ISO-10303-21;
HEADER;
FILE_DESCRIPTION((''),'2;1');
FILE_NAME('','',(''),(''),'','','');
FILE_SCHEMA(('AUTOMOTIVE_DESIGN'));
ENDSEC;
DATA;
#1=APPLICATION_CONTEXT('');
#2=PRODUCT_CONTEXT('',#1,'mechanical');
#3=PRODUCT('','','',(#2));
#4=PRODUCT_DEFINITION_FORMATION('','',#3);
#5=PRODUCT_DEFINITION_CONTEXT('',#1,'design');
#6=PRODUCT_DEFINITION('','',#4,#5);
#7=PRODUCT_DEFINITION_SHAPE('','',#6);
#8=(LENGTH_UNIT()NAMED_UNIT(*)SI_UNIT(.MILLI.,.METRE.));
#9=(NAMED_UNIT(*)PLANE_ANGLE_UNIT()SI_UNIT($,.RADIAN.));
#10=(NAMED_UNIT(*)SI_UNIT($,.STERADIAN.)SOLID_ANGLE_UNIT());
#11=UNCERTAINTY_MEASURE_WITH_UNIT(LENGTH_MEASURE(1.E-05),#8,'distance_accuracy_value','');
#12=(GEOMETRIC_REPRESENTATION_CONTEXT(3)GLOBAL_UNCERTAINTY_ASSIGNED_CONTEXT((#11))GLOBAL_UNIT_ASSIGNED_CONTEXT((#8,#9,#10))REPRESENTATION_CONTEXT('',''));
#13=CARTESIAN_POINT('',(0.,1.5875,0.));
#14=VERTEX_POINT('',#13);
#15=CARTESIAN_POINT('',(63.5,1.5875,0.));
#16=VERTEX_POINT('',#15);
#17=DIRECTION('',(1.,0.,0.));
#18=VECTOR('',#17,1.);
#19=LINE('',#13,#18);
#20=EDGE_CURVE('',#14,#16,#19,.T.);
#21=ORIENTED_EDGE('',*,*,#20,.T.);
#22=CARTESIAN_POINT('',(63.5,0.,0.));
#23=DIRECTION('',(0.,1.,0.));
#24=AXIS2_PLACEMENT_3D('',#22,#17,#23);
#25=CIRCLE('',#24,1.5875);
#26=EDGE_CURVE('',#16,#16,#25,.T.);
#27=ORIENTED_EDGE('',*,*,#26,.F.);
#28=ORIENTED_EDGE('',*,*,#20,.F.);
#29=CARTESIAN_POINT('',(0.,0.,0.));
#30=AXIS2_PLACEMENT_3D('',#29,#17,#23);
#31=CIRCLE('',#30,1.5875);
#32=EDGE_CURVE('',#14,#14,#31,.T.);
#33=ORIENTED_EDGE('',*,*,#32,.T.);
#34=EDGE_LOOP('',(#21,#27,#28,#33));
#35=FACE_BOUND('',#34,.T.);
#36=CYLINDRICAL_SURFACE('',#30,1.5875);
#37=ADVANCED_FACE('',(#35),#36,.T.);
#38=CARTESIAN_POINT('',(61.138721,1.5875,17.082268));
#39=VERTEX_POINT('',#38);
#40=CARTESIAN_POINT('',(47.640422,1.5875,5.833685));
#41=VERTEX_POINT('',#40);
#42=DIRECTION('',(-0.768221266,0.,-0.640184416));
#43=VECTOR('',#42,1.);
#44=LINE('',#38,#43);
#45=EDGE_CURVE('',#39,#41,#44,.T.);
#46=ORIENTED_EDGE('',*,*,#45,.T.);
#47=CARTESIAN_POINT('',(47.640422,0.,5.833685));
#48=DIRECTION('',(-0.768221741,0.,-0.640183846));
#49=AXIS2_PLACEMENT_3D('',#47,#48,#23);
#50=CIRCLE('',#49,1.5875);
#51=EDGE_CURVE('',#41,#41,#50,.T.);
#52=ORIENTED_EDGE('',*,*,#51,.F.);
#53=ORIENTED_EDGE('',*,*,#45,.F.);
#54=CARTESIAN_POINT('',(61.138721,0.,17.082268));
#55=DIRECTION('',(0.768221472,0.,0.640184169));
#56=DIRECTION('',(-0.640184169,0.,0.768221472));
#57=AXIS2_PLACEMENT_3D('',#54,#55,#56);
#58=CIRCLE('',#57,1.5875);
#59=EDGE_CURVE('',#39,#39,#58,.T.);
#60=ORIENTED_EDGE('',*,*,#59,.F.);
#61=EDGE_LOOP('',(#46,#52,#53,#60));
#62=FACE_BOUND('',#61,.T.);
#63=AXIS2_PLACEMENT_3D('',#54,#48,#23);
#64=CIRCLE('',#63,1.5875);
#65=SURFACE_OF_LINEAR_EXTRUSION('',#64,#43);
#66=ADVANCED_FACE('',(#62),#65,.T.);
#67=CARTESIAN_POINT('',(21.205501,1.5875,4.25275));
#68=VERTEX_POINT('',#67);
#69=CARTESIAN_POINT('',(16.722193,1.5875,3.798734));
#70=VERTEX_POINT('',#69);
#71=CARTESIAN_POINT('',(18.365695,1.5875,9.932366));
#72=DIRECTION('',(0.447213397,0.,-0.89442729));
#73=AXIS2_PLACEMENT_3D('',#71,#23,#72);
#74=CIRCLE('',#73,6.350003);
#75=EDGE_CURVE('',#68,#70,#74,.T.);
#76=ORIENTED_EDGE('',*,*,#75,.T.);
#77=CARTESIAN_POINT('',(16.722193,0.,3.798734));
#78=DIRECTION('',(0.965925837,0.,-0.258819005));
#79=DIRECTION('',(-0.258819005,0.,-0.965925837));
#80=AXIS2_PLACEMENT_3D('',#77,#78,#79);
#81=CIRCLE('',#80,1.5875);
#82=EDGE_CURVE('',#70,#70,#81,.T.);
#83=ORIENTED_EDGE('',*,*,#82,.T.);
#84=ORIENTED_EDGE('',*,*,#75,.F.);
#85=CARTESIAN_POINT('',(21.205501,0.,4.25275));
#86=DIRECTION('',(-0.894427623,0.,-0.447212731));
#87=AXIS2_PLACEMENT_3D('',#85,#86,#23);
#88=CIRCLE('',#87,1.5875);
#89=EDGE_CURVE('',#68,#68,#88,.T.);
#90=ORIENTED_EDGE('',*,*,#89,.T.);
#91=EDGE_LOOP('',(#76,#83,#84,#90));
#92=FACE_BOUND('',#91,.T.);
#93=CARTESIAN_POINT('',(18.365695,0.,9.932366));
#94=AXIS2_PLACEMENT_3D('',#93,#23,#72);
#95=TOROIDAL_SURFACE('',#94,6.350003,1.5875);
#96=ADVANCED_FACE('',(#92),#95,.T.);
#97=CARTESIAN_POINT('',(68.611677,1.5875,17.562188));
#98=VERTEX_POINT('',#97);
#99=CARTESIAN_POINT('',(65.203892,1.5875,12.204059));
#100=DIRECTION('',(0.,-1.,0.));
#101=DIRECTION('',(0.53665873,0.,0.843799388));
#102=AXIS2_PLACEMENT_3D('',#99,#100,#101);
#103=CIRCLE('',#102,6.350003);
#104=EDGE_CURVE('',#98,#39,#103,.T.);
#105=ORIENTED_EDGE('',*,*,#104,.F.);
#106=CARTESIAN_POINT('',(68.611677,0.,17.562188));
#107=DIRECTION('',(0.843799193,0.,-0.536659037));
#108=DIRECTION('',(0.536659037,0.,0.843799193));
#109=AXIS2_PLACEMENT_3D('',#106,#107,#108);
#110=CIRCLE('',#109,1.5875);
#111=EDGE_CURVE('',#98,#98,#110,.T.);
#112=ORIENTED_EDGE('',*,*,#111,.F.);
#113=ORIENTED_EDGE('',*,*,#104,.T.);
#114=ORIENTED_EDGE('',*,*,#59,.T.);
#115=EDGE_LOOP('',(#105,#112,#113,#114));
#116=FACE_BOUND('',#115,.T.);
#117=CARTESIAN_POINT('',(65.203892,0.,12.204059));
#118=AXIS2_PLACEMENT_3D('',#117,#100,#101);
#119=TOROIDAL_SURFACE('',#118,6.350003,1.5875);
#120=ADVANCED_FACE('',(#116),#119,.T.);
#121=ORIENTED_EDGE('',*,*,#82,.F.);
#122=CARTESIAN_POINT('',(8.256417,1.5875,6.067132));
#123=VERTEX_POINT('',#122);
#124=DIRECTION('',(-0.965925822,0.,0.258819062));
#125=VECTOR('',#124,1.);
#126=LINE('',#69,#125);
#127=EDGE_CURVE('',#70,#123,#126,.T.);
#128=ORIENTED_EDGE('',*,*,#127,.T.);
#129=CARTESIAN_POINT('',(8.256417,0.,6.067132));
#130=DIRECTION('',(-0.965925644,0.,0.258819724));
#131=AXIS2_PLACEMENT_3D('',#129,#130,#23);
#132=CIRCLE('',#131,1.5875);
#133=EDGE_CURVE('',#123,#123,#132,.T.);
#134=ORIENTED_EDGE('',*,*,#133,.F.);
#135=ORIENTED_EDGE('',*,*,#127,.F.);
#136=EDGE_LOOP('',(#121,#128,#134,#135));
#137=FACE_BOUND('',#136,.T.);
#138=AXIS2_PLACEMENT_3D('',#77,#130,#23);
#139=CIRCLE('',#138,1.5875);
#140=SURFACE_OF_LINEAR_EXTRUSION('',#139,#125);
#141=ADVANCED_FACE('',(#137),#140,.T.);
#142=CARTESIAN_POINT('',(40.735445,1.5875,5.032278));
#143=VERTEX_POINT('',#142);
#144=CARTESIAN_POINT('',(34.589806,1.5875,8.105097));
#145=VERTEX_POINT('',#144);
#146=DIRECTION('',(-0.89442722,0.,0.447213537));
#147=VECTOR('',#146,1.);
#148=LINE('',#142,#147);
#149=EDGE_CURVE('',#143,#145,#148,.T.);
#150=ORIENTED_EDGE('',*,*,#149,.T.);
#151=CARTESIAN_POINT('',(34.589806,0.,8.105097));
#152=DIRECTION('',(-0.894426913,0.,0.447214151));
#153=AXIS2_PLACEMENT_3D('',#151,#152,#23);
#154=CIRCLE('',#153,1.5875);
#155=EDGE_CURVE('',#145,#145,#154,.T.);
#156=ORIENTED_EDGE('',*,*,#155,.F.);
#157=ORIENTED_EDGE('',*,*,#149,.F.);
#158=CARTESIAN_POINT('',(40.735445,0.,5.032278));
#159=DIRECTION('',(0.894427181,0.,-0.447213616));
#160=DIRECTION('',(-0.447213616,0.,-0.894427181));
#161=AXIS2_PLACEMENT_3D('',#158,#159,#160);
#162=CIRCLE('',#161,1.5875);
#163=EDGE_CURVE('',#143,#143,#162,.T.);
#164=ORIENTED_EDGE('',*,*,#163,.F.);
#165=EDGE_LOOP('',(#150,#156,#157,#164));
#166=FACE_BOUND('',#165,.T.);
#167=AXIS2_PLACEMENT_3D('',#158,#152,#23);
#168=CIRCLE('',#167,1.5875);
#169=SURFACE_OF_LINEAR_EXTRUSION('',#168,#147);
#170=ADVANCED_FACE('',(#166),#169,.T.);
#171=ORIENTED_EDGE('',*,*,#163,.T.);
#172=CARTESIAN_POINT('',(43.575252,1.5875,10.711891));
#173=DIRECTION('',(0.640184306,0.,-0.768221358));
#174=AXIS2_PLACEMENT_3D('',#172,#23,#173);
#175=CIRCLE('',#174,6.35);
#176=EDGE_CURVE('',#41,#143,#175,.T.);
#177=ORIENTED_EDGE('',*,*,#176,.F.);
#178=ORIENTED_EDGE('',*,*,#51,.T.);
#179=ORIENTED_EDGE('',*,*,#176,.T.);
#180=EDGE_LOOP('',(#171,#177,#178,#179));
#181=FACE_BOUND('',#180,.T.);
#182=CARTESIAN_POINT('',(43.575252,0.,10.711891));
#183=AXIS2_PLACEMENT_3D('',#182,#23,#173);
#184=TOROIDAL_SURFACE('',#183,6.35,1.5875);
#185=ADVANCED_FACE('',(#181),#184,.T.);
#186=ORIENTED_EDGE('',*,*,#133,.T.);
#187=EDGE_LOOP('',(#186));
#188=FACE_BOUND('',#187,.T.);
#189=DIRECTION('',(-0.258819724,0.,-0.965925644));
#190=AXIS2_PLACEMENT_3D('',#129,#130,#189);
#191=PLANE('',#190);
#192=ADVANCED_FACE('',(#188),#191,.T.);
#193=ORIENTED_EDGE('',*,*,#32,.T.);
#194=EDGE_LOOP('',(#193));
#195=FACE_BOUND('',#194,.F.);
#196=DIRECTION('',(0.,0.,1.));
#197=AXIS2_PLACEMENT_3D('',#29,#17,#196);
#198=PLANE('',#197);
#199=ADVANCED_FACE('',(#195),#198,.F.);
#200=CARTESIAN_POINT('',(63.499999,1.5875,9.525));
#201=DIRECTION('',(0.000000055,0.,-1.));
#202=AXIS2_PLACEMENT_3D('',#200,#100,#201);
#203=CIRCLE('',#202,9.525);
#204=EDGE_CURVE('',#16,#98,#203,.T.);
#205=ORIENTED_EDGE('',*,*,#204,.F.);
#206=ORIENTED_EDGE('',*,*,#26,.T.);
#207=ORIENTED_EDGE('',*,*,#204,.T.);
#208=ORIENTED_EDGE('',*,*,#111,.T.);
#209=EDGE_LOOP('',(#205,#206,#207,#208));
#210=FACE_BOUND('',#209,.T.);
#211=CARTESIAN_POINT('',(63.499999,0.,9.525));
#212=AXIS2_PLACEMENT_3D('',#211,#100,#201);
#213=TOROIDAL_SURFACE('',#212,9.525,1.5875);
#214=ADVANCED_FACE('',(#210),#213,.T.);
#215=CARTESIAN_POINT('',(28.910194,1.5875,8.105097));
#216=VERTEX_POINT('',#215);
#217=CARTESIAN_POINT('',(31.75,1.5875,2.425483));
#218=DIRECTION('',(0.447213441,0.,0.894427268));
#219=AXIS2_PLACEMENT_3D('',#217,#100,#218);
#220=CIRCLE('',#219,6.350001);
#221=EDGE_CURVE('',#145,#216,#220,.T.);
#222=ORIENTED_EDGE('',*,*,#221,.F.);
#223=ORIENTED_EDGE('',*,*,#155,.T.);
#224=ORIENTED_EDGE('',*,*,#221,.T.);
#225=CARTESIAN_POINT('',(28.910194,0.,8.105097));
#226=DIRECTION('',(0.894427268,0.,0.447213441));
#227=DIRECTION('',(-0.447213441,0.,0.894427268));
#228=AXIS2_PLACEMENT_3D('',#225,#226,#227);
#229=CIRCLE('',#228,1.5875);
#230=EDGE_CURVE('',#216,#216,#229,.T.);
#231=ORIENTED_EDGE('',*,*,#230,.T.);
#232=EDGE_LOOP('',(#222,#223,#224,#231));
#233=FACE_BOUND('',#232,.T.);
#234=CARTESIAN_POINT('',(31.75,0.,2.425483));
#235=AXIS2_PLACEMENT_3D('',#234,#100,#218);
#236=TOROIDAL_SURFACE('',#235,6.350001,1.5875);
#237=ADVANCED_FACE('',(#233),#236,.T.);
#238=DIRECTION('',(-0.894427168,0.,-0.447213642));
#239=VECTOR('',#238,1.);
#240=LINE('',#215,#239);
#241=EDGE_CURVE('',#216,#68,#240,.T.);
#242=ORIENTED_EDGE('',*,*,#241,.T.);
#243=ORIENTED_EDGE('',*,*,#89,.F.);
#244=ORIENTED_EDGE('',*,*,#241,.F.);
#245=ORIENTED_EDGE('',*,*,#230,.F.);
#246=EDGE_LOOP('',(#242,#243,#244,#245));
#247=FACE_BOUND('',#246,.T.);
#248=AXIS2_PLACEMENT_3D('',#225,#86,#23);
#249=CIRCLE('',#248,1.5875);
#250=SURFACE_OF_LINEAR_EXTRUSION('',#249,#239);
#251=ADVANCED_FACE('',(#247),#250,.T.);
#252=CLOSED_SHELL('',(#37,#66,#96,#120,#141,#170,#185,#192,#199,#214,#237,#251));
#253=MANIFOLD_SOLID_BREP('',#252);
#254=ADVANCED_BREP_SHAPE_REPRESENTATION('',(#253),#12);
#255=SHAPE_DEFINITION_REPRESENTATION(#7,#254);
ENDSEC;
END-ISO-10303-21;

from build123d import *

# Parameters (mm, degrees)
F1_R = 1.5875


with BuildPart() as f2:
    # F2: sweep along a path in F0
    with BuildLine(Plane.XZ) as f2_path:
        Line((0, 0), (63.5, 0))
        ThreePointArc((63.5, 0), (72.645486, 6.863101), (68.611677, 17.562188))
        ThreePointArc((68.611677, 17.562188), (64.796928, 18.541008), (61.138721, 17.082268))
        Line((61.138721, 17.082268), (47.640422, 5.833685))
        ThreePointArc((47.640422, 5.833685), (44.307333, 4.404232), (40.735445, 5.032278))
        Line((40.735445, 5.032278), (34.589806, 8.105097))
        ThreePointArc((34.589806, 8.105097), (31.75, 8.775484), (28.910194, 8.105097))
        Line((28.910194, 8.105097), (21.205501, 4.25275))
        ThreePointArc((21.205501, 4.25275), (19.005475, 3.614675), (16.722193, 3.798734))
        Line((16.722193, 3.798734), (8.256417, 6.067132))
    # F1 (on Right) → F2 (sweep)
    with BuildSketch(Plane.YZ):
        Circle(F1_R)
    sweep(path=f2_path.line)


solid = f2.part
